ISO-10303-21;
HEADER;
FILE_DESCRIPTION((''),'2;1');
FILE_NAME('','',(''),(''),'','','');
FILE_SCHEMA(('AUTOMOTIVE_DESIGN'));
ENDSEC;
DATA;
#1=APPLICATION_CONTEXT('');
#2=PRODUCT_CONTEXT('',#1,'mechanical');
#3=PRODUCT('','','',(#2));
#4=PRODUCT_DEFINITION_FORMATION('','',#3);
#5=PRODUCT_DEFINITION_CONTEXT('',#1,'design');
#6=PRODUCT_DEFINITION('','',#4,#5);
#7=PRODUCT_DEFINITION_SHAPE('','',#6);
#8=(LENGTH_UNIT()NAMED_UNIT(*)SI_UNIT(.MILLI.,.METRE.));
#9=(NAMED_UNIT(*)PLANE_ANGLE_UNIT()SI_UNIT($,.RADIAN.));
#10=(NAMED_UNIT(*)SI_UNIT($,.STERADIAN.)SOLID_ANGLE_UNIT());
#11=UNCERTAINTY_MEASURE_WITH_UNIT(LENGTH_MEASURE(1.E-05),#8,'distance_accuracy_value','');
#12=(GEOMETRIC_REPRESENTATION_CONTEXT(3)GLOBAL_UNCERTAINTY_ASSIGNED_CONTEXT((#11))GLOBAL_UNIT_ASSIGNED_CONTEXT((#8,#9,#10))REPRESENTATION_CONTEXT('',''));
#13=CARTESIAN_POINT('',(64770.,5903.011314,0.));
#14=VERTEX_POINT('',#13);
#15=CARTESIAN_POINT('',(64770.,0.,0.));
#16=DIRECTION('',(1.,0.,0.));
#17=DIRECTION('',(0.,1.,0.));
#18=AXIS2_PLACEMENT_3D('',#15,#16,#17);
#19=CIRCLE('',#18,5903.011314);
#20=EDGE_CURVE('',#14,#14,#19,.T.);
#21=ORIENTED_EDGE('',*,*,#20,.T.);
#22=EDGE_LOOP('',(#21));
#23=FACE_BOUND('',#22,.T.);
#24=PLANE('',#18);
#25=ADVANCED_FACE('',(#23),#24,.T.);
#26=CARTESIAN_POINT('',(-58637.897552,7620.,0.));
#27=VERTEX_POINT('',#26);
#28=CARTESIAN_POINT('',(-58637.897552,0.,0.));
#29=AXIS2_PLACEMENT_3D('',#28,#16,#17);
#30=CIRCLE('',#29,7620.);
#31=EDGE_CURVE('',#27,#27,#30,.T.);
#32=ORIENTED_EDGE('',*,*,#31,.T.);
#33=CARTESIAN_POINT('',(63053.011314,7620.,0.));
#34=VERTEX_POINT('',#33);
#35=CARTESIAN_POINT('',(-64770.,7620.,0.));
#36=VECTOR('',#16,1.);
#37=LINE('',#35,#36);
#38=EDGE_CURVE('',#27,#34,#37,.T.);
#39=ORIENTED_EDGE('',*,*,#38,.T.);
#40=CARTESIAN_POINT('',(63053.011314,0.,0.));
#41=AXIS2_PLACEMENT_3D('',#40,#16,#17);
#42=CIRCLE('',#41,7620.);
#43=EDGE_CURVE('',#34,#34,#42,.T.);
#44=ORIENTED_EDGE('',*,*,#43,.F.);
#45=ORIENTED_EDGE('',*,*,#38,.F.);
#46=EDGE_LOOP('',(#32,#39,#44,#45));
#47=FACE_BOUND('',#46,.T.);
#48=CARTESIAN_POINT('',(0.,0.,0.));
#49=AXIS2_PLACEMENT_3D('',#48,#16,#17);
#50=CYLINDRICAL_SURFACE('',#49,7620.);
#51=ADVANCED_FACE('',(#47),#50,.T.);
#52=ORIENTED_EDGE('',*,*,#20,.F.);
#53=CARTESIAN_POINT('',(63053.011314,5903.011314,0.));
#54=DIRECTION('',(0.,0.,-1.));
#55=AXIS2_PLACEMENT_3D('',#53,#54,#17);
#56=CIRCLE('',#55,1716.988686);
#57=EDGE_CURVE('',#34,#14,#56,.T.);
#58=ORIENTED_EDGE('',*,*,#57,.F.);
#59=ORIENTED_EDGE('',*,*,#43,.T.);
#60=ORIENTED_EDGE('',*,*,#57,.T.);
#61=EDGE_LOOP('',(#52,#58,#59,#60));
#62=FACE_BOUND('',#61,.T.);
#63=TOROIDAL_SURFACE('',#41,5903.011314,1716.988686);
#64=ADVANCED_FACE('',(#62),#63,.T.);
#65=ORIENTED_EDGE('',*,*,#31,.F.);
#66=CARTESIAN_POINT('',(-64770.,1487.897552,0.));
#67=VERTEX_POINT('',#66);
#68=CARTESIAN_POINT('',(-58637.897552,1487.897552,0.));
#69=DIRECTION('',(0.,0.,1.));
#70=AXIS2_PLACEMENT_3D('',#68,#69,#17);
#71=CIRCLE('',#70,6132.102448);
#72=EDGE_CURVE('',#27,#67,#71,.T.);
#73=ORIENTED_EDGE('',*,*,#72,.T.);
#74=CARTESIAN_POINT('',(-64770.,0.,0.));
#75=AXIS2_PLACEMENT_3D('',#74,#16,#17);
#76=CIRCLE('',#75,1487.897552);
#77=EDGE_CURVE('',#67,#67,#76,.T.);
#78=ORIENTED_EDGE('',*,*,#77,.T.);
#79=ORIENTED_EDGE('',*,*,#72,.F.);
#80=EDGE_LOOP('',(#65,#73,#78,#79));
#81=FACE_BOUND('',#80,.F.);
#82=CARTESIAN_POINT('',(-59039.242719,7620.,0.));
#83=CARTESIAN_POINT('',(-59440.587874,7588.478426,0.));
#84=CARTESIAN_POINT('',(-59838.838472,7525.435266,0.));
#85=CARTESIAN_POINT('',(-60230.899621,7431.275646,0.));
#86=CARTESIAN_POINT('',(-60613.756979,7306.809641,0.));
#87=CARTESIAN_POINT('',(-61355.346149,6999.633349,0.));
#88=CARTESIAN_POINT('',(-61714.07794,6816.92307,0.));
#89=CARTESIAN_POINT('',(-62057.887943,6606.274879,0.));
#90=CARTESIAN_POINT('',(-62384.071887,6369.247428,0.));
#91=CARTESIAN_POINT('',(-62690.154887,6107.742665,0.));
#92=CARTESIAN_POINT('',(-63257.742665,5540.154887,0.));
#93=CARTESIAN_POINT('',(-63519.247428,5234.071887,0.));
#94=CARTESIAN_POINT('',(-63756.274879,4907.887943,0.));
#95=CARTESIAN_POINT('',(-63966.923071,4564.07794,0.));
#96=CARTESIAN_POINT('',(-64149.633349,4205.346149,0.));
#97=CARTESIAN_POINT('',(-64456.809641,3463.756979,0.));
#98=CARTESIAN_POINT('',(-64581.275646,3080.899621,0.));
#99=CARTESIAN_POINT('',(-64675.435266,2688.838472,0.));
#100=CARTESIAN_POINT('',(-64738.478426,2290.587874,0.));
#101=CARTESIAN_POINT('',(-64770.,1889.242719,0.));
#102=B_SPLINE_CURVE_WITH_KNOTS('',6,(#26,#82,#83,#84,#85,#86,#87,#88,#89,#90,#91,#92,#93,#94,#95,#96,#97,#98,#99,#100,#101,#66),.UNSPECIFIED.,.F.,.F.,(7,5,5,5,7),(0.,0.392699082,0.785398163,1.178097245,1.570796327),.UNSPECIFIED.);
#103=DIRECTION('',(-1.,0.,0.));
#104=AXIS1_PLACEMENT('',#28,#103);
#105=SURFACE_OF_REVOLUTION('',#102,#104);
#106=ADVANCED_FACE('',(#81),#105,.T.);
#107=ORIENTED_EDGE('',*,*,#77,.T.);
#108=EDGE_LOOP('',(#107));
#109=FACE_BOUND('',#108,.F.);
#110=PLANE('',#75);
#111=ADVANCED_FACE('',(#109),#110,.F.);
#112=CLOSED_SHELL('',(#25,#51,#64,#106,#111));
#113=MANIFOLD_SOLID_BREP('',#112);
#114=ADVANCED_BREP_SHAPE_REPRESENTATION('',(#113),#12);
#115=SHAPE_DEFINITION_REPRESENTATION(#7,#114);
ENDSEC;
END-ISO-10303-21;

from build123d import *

# Parameters (mm, degrees)
F0_R     = 7620
F1_DEPTH = 64770
F2_R     = 6132.102448
F3_R     = 1716.988686


with BuildPart() as f1:
    # F0 (on Right) → F1 (new body, symmetric)
    with BuildSketch(Plane.YZ):
        Circle(F0_R)
    extrude(amount=F1_DEPTH, both=True)

    # F2
    f2_edges = [f1.edges().sort_by_distance(p)[0] for p in [
        (-64770, -7620, 0),
    ]]
    fillet(f2_edges, radius=F2_R)

    # F3
    f3_edges = [f1.edges().sort_by_distance(p)[0] for p in [
        (64770, -7620, 0),
    ]]
    fillet(f3_edges, radius=F3_R)


solid = f1.part
